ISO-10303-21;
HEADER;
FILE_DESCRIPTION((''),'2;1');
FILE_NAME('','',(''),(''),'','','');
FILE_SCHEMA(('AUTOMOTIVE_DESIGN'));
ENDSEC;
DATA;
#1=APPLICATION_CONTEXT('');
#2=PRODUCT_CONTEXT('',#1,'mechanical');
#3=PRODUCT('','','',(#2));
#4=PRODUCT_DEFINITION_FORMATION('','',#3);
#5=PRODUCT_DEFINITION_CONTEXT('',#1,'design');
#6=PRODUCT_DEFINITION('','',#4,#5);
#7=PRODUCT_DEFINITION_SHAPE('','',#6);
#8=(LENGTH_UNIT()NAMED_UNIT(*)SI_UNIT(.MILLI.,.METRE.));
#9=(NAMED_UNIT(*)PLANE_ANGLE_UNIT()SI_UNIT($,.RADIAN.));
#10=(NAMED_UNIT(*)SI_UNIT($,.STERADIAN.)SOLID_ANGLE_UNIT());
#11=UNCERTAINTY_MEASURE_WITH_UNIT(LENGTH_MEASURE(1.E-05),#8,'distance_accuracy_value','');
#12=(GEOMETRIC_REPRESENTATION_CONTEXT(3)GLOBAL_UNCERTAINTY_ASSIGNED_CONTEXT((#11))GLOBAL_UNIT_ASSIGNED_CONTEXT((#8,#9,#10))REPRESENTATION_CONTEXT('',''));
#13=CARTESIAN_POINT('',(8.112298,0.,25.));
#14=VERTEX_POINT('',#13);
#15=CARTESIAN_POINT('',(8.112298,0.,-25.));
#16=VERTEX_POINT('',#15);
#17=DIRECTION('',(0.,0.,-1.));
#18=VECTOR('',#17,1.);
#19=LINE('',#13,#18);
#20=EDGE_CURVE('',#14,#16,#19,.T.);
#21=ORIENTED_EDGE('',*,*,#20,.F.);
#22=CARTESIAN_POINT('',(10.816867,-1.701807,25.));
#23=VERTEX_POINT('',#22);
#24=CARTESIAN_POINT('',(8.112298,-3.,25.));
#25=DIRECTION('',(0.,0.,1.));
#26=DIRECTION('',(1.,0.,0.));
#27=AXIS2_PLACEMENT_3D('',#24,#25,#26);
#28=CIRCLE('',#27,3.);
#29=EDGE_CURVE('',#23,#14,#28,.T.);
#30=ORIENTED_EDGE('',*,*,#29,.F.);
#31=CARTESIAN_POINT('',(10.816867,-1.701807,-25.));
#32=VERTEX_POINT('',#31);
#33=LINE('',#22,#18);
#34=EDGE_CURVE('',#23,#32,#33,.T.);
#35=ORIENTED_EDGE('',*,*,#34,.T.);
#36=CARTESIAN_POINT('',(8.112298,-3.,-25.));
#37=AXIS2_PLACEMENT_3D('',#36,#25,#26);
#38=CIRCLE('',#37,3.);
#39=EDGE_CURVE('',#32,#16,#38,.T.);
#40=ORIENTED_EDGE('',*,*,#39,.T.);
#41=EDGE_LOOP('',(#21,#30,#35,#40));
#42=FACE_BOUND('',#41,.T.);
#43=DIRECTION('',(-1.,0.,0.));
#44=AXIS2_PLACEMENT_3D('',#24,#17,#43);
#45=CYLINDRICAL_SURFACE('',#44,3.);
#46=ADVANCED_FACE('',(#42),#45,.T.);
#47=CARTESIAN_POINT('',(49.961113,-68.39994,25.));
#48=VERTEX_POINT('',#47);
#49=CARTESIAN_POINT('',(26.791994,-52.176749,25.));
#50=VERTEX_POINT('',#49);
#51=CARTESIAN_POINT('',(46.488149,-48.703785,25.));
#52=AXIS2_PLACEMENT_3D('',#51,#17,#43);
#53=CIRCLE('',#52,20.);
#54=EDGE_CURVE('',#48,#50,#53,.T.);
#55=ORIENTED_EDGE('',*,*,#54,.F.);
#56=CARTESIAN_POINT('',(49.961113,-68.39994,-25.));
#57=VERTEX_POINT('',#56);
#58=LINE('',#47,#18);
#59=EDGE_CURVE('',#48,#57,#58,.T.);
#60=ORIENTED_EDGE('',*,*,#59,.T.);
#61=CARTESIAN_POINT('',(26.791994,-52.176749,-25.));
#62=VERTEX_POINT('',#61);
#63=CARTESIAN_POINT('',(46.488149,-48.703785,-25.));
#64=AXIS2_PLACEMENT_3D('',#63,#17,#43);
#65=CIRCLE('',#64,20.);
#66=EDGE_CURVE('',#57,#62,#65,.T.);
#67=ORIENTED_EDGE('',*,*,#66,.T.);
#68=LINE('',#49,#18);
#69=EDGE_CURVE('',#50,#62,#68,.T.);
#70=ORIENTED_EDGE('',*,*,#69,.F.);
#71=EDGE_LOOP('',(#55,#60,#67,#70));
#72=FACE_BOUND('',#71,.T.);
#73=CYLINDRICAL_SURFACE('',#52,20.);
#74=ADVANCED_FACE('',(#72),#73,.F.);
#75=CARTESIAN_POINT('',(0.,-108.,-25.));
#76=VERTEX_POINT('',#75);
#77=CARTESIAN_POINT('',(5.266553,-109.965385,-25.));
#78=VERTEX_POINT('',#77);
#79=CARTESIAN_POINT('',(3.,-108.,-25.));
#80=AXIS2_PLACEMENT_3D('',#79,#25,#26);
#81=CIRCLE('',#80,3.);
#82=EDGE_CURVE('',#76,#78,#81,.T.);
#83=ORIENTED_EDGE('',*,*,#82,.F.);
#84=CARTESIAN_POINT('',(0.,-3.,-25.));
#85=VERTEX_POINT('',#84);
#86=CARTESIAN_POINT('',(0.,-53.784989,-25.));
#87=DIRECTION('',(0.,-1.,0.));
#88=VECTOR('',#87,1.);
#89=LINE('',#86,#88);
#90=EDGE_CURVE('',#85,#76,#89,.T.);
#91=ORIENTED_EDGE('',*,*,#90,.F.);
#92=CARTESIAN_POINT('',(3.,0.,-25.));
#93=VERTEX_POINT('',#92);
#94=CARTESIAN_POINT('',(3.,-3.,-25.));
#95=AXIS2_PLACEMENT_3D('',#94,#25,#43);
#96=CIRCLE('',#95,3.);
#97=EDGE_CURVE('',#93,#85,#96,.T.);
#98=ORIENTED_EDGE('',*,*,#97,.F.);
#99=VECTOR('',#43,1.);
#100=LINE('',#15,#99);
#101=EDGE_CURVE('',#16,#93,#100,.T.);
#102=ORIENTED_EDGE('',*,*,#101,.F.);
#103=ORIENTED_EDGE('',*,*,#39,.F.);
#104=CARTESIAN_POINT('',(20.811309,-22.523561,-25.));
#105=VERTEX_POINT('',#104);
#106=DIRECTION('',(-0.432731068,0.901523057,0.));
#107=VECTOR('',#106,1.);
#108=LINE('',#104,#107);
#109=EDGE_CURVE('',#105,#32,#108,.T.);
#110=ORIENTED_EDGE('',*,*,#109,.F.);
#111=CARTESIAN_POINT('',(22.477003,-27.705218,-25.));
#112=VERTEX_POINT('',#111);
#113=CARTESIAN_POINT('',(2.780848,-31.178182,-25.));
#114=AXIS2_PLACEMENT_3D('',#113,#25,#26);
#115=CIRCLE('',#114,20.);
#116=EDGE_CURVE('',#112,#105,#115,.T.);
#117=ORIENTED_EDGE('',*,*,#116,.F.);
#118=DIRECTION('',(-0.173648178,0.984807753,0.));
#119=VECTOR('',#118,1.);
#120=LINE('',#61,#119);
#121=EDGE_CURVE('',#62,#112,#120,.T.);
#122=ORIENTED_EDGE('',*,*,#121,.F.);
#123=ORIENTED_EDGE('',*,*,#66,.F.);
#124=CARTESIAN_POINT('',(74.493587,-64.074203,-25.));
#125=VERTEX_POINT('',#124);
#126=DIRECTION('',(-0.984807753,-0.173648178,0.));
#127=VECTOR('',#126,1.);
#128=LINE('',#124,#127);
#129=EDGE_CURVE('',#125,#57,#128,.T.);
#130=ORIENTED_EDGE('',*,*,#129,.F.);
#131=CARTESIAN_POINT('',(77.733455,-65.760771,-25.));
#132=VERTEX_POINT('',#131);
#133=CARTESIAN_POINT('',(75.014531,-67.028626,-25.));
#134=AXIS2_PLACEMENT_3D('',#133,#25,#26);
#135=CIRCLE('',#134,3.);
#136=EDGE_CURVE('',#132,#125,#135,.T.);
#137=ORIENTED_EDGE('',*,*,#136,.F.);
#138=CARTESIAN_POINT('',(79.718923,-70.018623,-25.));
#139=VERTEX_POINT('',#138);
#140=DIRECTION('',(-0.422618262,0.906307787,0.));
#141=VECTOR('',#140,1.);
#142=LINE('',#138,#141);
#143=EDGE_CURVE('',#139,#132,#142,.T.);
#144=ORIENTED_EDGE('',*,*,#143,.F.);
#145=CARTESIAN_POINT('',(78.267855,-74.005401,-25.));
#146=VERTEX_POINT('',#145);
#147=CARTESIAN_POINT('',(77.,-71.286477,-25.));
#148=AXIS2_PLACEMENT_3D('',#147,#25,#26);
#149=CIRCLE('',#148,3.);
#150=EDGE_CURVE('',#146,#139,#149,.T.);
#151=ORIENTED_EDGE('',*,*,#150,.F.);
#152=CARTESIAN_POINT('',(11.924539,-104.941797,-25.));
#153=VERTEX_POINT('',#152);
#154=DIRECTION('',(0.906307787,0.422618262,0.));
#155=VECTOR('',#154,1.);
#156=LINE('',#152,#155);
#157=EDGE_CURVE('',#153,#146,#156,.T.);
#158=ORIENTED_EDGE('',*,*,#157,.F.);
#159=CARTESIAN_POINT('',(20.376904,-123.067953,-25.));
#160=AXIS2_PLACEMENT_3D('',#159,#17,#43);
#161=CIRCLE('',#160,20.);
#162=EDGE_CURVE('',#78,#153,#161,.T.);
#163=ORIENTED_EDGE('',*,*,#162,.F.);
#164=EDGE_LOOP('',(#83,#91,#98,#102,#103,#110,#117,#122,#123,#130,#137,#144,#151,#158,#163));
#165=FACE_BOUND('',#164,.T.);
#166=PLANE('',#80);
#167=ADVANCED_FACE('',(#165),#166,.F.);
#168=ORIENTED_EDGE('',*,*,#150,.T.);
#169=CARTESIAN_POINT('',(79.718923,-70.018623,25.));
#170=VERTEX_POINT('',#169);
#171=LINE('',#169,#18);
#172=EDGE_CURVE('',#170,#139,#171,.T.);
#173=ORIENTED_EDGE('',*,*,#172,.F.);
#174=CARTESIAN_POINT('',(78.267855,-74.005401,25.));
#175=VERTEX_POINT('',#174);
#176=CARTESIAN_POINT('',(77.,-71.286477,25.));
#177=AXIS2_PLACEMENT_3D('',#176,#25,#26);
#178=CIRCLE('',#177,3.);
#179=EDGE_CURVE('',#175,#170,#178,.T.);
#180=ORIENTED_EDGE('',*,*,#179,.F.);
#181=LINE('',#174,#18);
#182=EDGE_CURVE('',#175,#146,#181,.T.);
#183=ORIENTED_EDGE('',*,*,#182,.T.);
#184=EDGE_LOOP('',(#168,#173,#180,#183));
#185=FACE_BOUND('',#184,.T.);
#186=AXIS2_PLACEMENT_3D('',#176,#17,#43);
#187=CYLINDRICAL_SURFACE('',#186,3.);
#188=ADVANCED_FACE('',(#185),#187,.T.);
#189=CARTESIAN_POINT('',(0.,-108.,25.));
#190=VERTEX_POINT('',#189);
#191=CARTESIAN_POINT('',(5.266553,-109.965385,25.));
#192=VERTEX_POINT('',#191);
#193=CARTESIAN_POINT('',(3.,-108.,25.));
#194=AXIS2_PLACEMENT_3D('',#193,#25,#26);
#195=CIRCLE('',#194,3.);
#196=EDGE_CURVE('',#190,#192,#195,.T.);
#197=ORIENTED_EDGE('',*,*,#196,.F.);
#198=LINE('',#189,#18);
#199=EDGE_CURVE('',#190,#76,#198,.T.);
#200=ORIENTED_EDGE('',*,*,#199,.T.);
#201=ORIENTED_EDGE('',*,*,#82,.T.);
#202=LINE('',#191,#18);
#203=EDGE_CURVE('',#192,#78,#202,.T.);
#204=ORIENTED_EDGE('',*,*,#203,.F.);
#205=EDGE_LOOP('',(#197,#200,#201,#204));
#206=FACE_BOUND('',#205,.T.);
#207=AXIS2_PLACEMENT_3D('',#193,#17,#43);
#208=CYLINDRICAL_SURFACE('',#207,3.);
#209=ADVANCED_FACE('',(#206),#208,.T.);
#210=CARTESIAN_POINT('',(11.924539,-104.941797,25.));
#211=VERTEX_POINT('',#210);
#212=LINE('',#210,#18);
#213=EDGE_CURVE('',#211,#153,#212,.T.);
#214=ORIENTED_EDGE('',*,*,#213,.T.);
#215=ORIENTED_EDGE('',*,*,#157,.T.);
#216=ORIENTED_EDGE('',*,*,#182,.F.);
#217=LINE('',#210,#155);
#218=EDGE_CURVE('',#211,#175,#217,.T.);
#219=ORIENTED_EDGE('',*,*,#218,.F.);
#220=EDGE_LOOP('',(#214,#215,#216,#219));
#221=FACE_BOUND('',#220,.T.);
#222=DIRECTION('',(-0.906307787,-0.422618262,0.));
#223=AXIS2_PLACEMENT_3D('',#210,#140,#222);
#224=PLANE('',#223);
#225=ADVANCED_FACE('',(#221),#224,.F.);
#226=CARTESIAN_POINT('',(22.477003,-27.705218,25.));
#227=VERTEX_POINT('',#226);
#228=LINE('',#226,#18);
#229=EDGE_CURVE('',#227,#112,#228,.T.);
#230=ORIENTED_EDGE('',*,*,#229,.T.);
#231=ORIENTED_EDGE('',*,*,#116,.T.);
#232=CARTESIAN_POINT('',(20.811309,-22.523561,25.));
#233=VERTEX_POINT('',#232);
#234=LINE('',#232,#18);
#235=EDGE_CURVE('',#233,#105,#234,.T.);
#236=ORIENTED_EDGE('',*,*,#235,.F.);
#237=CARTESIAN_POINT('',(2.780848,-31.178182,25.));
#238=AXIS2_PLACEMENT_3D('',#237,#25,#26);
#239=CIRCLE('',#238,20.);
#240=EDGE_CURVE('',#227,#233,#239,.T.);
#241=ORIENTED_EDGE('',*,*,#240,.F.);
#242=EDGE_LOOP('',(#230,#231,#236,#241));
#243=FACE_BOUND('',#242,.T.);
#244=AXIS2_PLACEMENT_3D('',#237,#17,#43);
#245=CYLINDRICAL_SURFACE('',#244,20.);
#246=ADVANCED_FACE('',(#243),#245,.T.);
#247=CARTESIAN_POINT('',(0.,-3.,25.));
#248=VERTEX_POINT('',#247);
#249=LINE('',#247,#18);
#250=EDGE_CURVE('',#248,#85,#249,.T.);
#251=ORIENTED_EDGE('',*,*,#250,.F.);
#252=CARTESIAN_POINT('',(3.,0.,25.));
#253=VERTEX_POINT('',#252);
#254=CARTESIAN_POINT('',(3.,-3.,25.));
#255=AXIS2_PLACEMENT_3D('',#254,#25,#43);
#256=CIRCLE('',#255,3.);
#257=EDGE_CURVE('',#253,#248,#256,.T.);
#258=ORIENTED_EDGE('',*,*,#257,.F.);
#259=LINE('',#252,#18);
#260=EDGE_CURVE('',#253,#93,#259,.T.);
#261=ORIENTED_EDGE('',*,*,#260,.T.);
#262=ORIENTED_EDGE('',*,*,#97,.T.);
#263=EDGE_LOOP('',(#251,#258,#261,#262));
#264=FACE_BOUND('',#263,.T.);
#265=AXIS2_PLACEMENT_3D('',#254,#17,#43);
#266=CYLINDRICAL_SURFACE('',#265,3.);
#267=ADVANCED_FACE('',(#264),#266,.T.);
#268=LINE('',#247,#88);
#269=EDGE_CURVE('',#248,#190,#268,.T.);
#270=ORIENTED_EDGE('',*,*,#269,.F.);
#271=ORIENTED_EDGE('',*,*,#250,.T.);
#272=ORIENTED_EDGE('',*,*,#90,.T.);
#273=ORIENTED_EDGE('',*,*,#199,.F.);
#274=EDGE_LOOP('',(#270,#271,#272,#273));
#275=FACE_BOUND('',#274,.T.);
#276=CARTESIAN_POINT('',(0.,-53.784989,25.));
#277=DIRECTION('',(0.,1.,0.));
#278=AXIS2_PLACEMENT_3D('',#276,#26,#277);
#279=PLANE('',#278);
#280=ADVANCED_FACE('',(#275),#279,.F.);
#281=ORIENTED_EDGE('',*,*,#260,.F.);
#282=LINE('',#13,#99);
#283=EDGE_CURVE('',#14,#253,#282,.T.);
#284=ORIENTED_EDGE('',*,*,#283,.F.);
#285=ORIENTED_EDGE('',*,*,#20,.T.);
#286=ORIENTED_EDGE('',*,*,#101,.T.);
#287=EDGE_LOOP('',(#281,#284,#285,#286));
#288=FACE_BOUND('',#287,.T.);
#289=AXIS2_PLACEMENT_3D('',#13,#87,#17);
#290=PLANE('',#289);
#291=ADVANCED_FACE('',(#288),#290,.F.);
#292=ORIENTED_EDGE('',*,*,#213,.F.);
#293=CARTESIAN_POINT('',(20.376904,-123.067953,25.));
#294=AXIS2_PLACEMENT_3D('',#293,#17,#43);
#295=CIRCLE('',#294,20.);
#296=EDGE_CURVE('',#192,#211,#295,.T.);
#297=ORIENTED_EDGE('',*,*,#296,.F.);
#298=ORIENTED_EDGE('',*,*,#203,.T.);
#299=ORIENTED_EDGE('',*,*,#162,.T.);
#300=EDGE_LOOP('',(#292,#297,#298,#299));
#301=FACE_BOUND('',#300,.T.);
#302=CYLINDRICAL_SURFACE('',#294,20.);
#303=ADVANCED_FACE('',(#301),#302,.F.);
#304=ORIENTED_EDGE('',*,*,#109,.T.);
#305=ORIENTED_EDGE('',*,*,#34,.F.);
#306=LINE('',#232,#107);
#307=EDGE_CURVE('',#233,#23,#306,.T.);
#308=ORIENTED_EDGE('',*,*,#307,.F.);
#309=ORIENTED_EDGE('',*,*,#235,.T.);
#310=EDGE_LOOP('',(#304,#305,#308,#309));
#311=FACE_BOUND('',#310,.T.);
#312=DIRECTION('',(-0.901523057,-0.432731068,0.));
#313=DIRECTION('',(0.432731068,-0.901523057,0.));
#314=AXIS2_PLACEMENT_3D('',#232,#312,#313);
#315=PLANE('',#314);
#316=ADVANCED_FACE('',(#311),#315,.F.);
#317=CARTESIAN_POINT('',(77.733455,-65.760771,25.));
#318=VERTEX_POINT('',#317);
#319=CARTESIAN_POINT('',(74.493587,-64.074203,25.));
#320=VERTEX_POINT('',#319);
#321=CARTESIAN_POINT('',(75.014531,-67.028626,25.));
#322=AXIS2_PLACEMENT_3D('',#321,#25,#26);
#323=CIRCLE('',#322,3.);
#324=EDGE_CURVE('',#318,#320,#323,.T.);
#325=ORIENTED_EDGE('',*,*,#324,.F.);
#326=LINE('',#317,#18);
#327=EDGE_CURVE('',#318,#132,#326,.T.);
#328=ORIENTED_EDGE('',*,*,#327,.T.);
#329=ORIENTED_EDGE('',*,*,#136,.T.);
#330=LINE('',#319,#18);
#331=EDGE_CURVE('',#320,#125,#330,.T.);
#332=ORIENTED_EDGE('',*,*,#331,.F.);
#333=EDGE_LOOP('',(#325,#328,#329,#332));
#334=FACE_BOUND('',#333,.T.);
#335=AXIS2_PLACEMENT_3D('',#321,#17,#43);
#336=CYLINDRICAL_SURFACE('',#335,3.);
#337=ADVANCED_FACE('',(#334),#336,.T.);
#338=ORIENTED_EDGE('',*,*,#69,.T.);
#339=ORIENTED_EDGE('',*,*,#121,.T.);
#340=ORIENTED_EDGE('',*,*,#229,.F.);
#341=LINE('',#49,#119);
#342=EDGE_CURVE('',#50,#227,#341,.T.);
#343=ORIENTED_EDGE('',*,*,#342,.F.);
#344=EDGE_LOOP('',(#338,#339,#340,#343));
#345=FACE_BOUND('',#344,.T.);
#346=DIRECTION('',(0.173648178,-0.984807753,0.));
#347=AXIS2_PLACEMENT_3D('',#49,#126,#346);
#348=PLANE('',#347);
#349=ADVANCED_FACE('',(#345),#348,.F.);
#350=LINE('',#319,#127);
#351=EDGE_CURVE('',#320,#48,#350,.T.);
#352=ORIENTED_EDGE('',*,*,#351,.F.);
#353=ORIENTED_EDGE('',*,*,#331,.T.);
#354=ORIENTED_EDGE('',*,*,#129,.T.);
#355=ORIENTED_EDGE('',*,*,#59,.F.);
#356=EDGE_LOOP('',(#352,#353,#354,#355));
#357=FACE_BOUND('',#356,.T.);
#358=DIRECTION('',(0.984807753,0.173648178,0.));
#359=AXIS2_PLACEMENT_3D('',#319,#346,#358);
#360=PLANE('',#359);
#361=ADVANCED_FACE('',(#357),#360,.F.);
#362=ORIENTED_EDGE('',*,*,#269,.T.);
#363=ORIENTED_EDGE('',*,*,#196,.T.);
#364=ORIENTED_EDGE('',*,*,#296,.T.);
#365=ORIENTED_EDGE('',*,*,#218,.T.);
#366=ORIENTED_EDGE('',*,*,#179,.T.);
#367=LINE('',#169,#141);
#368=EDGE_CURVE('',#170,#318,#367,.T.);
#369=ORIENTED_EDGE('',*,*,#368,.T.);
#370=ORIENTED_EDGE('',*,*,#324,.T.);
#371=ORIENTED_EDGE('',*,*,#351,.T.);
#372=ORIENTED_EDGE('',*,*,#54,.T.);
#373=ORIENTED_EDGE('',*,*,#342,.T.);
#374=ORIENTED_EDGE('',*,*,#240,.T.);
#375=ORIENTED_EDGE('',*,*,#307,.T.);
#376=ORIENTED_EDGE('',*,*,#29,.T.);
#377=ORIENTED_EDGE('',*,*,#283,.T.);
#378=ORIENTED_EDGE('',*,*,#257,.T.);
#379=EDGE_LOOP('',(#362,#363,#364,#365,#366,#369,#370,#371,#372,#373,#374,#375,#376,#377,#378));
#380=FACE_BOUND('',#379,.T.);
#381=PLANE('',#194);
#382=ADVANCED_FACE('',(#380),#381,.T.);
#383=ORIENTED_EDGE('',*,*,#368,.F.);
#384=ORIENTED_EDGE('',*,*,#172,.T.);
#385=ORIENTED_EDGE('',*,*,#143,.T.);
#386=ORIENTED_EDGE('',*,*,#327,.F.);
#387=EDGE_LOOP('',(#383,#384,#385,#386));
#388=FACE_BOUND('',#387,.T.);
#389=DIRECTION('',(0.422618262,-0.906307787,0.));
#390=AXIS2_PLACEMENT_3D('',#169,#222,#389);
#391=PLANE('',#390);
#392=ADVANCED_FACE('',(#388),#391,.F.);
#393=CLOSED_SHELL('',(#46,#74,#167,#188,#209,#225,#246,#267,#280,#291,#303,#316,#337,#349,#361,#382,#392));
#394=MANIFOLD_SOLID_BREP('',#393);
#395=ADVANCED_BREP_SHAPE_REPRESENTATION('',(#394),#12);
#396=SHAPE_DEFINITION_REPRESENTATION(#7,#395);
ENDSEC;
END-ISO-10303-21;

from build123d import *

# Parameters (mm, degrees)
EXTRUDE1_DEPTH = 25


with BuildPart() as part:
    # Sketch1 → Extrude1 (new body, symmetric)
    with BuildSketch(Plane.XY):
        with BuildLine():
            Line((0, -3), (0, -53.784988575))
            Line((0, -53.784988575), (0, -108))
            ThreePointArc((0, -108), (1.951109669, -110.810663458), (5.266552715, -109.96538515))
            ThreePointArc((5.266552715, -109.96538515), (8.33076313, -107.102662764), (11.924538917, -104.941797077))
            Line((11.924538917, -104.941797077), (78.267854785, -74.00540082))
            ThreePointArc((78.267854785, -74.00540082), (79.819077862, -72.312537889), (79.718923361, -70.018622673))
            Line((79.718923361, -70.018622673), (77.733454722, -65.760771437))
            ThreePointArc((77.733454722, -65.760771437), (76.399777201, -64.367593723), (74.493586828, -64.074202964))
            Line((74.493586828, -64.074202964), (49.961112633, -68.399940068))
            ThreePointArc((49.961112633, -68.399940068), (35.016620352, -65.086825893), (26.791994019, -52.176748561))
            Line((26.791994019, -52.176748561), (22.477002989, -27.705218377))
            ThreePointArc((22.477002989, -27.705218377), (21.821246743, -25.05746196), (20.811309078, -22.523560578))
            Line((20.811309078, -22.523560578), (10.816867263, -1.701806797))
            ThreePointArc((10.816867263, -1.701806797), (9.710018402, -0.460848606), (8.11229809, 0))
            Line((8.11229809, 0), (3, 0))
            ThreePointArc((3, 0), (0.878679656, -0.878679656), (0, -3))
        make_face()
    extrude(amount=EXTRUDE1_DEPTH, both=True)


solid = part.part
